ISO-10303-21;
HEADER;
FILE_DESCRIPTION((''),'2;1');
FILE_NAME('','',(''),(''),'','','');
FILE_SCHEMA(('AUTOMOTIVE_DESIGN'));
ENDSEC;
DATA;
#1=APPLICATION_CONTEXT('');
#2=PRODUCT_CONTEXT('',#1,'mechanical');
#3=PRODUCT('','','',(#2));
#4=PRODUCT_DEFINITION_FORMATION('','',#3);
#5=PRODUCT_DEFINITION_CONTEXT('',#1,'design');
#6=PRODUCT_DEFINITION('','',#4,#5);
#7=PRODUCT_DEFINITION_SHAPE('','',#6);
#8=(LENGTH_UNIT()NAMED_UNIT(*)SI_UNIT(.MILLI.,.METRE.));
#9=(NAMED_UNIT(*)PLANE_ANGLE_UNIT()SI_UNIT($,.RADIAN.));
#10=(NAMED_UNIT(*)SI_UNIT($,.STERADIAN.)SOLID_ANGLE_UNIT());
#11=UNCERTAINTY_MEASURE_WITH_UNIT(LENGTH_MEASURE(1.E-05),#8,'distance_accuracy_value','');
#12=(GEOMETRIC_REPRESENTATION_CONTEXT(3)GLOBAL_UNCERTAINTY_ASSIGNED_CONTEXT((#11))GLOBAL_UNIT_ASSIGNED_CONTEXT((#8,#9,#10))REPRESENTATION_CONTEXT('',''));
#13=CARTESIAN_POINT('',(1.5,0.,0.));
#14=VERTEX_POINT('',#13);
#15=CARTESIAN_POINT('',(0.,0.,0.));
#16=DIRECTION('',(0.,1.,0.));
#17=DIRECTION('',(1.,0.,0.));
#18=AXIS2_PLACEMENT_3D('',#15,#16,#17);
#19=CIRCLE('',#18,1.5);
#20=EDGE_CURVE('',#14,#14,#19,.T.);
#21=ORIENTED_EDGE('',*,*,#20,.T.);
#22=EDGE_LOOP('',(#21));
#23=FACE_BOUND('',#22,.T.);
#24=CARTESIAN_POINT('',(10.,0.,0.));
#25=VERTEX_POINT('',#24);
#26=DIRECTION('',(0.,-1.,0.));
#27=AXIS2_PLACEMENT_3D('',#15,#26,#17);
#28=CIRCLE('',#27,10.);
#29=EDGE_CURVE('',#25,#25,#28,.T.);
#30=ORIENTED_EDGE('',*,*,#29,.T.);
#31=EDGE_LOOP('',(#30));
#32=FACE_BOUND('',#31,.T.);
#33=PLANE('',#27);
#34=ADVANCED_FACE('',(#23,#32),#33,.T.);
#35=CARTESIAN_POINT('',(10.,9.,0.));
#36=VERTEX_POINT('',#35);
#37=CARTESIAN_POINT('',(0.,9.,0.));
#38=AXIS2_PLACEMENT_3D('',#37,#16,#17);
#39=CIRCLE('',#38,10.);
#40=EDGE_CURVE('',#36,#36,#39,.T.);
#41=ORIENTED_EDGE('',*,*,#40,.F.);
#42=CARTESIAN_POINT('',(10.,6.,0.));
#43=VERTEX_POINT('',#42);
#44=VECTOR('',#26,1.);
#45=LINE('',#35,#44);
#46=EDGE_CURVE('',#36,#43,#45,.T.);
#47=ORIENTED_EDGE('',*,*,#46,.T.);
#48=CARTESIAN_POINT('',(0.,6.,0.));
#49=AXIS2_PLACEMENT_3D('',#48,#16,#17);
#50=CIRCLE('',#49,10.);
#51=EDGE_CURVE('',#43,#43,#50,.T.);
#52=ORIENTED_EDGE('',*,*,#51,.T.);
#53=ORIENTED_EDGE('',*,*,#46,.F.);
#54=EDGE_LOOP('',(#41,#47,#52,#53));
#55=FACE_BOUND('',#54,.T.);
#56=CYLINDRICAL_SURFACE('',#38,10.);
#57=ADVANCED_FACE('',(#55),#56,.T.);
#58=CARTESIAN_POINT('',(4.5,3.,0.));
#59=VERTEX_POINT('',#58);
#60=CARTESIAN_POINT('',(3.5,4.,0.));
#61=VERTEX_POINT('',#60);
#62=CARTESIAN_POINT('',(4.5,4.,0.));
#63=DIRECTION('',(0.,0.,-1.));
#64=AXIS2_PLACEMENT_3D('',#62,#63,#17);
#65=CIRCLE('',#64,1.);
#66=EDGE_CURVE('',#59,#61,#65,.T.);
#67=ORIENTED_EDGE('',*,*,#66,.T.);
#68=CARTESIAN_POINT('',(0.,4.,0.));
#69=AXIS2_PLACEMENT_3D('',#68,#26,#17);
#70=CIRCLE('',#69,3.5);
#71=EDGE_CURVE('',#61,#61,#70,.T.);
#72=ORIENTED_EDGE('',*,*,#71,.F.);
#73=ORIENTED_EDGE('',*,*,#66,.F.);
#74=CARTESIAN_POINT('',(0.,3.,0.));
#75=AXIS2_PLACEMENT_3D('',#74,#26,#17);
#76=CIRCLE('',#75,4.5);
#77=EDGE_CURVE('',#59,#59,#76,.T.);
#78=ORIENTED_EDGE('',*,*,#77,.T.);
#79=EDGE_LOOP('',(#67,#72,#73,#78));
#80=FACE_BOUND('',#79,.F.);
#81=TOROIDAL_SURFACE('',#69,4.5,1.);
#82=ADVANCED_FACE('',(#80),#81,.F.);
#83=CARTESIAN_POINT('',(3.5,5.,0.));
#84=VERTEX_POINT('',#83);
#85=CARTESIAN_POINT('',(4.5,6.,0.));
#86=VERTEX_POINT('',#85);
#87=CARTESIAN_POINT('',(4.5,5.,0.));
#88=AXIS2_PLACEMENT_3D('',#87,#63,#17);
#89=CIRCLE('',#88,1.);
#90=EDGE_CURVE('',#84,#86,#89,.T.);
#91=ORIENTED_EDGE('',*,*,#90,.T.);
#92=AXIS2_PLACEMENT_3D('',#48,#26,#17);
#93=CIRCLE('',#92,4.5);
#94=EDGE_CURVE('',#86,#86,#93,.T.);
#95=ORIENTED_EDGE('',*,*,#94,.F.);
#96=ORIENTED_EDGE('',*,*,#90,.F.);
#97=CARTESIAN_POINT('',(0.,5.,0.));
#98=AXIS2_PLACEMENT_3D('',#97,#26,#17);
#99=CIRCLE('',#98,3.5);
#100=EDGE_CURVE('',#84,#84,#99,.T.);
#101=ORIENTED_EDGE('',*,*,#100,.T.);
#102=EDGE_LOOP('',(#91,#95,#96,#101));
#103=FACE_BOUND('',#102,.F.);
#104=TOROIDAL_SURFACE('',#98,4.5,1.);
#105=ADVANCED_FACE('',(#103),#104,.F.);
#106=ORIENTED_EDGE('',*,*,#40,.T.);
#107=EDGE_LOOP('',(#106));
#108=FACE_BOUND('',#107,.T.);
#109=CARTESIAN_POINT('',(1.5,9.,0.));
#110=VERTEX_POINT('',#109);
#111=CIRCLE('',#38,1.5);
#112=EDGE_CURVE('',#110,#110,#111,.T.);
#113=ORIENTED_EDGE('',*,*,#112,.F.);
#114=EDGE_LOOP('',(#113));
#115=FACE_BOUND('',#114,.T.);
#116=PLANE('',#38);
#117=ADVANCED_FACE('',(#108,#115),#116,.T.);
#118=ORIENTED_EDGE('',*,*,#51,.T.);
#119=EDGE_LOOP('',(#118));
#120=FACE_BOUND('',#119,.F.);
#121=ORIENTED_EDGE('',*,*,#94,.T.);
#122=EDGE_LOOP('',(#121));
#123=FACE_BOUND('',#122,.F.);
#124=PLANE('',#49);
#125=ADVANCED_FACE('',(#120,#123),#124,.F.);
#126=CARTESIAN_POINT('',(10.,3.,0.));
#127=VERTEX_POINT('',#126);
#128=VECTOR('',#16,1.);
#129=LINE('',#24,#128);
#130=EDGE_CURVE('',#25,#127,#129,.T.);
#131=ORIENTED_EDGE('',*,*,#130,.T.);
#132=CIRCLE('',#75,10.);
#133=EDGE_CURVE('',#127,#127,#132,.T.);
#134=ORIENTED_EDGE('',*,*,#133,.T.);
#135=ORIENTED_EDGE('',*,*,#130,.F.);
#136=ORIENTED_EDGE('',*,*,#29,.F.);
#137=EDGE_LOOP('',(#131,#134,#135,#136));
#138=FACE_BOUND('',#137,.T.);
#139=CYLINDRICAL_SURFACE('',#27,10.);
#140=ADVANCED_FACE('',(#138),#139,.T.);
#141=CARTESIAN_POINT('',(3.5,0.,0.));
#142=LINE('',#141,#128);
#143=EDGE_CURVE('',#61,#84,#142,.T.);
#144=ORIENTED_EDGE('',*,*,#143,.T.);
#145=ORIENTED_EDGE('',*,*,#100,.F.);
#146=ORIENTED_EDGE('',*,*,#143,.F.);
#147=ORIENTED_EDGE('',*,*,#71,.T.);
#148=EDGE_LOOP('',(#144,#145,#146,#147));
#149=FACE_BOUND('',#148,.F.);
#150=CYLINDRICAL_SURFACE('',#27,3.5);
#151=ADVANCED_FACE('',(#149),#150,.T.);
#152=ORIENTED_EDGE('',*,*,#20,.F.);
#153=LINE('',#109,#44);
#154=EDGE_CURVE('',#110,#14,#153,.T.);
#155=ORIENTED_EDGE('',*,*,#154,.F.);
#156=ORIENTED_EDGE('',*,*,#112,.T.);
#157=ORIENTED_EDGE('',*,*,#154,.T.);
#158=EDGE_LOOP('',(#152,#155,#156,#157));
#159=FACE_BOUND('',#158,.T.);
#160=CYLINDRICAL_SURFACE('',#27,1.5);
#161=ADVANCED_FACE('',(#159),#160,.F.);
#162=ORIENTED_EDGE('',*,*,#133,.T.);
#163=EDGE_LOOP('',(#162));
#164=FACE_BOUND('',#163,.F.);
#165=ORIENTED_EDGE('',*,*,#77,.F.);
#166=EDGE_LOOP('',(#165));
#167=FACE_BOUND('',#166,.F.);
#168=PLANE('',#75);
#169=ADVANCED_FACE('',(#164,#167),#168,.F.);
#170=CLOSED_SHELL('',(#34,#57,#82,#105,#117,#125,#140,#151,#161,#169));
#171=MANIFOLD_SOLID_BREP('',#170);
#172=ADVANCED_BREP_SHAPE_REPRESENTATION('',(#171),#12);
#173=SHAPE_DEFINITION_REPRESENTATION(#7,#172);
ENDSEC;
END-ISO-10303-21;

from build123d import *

# Parameters (mm, degrees)
SKETCH1_R           = 3.5
SKETCH1_R_2         = 1.5
BOSS_EXTRUDE1_DEPTH = 9
SKETCH2_R           = 6
SKETCH2_R_2         = 1.5
BOSS_EXTRUDE2_DEPTH = 3
SKETCH3_R           = 5
SKETCH3_R_2         = 1.5
BOSS_EXTRUDE3_DEPTH = 3
FILLET2_R           = 1
SKETCH4_R           = 10
SKETCH4_R_2         = 1.5
BOSS_EXTRUDE4_DEPTH = 3
SKETCH5_R           = 10
SKETCH5_R_2         = 1.5
BOSS_EXTRUDE5_DEPTH = 3


with BuildPart() as part:
    # Sketch1 → Boss-Extrude1 (new body)
    with BuildSketch(Plane(origin=(0, 0, 0), x_dir=(1, 0, 0), z_dir=(0, 1, 0))):
        Circle(SKETCH1_R)
        Circle(SKETCH1_R_2, mode=Mode.SUBTRACT)
    extrude(amount=BOSS_EXTRUDE1_DEPTH)

    # Sketch2 → Boss-Extrude2 (add)
    with BuildSketch(Plane(origin=(0, 9, 0), x_dir=(1, 0, 0), z_dir=(0, 1, 0))):
        Circle(SKETCH2_R)
        Circle(SKETCH2_R_2, mode=Mode.SUBTRACT)
    extrude(amount=-BOSS_EXTRUDE2_DEPTH)

    # Sketch3 → Boss-Extrude3 (add)
    with BuildSketch(Plane.XZ):
        Circle(SKETCH3_R)
        Circle(SKETCH3_R_2, mode=Mode.SUBTRACT)
    extrude(amount=-BOSS_EXTRUDE3_DEPTH)

    # Fillet2
    fillet2_edges = [part.edges().sort_by_distance(p)[0] for p in [
        (-3.5, 6, 0),
        (-3.5, 3, 0),
    ]]
    fillet(fillet2_edges, radius=FILLET2_R)

    # Sketch4 → Boss-Extrude4 (add)
    with BuildSketch(Plane.XZ):
        Circle(SKETCH4_R)
        Circle(SKETCH4_R_2, mode=Mode.SUBTRACT)
    extrude(amount=-BOSS_EXTRUDE4_DEPTH)

    # Sketch5 → Boss-Extrude5 (add)
    with BuildSketch(Plane(origin=(0, 9, 0), x_dir=(1, 0, 0), z_dir=(0, 1, 0))):
        Circle(SKETCH5_R)
        Circle(SKETCH5_R_2, mode=Mode.SUBTRACT)
    extrude(amount=-BOSS_EXTRUDE5_DEPTH)


solid = part.part
